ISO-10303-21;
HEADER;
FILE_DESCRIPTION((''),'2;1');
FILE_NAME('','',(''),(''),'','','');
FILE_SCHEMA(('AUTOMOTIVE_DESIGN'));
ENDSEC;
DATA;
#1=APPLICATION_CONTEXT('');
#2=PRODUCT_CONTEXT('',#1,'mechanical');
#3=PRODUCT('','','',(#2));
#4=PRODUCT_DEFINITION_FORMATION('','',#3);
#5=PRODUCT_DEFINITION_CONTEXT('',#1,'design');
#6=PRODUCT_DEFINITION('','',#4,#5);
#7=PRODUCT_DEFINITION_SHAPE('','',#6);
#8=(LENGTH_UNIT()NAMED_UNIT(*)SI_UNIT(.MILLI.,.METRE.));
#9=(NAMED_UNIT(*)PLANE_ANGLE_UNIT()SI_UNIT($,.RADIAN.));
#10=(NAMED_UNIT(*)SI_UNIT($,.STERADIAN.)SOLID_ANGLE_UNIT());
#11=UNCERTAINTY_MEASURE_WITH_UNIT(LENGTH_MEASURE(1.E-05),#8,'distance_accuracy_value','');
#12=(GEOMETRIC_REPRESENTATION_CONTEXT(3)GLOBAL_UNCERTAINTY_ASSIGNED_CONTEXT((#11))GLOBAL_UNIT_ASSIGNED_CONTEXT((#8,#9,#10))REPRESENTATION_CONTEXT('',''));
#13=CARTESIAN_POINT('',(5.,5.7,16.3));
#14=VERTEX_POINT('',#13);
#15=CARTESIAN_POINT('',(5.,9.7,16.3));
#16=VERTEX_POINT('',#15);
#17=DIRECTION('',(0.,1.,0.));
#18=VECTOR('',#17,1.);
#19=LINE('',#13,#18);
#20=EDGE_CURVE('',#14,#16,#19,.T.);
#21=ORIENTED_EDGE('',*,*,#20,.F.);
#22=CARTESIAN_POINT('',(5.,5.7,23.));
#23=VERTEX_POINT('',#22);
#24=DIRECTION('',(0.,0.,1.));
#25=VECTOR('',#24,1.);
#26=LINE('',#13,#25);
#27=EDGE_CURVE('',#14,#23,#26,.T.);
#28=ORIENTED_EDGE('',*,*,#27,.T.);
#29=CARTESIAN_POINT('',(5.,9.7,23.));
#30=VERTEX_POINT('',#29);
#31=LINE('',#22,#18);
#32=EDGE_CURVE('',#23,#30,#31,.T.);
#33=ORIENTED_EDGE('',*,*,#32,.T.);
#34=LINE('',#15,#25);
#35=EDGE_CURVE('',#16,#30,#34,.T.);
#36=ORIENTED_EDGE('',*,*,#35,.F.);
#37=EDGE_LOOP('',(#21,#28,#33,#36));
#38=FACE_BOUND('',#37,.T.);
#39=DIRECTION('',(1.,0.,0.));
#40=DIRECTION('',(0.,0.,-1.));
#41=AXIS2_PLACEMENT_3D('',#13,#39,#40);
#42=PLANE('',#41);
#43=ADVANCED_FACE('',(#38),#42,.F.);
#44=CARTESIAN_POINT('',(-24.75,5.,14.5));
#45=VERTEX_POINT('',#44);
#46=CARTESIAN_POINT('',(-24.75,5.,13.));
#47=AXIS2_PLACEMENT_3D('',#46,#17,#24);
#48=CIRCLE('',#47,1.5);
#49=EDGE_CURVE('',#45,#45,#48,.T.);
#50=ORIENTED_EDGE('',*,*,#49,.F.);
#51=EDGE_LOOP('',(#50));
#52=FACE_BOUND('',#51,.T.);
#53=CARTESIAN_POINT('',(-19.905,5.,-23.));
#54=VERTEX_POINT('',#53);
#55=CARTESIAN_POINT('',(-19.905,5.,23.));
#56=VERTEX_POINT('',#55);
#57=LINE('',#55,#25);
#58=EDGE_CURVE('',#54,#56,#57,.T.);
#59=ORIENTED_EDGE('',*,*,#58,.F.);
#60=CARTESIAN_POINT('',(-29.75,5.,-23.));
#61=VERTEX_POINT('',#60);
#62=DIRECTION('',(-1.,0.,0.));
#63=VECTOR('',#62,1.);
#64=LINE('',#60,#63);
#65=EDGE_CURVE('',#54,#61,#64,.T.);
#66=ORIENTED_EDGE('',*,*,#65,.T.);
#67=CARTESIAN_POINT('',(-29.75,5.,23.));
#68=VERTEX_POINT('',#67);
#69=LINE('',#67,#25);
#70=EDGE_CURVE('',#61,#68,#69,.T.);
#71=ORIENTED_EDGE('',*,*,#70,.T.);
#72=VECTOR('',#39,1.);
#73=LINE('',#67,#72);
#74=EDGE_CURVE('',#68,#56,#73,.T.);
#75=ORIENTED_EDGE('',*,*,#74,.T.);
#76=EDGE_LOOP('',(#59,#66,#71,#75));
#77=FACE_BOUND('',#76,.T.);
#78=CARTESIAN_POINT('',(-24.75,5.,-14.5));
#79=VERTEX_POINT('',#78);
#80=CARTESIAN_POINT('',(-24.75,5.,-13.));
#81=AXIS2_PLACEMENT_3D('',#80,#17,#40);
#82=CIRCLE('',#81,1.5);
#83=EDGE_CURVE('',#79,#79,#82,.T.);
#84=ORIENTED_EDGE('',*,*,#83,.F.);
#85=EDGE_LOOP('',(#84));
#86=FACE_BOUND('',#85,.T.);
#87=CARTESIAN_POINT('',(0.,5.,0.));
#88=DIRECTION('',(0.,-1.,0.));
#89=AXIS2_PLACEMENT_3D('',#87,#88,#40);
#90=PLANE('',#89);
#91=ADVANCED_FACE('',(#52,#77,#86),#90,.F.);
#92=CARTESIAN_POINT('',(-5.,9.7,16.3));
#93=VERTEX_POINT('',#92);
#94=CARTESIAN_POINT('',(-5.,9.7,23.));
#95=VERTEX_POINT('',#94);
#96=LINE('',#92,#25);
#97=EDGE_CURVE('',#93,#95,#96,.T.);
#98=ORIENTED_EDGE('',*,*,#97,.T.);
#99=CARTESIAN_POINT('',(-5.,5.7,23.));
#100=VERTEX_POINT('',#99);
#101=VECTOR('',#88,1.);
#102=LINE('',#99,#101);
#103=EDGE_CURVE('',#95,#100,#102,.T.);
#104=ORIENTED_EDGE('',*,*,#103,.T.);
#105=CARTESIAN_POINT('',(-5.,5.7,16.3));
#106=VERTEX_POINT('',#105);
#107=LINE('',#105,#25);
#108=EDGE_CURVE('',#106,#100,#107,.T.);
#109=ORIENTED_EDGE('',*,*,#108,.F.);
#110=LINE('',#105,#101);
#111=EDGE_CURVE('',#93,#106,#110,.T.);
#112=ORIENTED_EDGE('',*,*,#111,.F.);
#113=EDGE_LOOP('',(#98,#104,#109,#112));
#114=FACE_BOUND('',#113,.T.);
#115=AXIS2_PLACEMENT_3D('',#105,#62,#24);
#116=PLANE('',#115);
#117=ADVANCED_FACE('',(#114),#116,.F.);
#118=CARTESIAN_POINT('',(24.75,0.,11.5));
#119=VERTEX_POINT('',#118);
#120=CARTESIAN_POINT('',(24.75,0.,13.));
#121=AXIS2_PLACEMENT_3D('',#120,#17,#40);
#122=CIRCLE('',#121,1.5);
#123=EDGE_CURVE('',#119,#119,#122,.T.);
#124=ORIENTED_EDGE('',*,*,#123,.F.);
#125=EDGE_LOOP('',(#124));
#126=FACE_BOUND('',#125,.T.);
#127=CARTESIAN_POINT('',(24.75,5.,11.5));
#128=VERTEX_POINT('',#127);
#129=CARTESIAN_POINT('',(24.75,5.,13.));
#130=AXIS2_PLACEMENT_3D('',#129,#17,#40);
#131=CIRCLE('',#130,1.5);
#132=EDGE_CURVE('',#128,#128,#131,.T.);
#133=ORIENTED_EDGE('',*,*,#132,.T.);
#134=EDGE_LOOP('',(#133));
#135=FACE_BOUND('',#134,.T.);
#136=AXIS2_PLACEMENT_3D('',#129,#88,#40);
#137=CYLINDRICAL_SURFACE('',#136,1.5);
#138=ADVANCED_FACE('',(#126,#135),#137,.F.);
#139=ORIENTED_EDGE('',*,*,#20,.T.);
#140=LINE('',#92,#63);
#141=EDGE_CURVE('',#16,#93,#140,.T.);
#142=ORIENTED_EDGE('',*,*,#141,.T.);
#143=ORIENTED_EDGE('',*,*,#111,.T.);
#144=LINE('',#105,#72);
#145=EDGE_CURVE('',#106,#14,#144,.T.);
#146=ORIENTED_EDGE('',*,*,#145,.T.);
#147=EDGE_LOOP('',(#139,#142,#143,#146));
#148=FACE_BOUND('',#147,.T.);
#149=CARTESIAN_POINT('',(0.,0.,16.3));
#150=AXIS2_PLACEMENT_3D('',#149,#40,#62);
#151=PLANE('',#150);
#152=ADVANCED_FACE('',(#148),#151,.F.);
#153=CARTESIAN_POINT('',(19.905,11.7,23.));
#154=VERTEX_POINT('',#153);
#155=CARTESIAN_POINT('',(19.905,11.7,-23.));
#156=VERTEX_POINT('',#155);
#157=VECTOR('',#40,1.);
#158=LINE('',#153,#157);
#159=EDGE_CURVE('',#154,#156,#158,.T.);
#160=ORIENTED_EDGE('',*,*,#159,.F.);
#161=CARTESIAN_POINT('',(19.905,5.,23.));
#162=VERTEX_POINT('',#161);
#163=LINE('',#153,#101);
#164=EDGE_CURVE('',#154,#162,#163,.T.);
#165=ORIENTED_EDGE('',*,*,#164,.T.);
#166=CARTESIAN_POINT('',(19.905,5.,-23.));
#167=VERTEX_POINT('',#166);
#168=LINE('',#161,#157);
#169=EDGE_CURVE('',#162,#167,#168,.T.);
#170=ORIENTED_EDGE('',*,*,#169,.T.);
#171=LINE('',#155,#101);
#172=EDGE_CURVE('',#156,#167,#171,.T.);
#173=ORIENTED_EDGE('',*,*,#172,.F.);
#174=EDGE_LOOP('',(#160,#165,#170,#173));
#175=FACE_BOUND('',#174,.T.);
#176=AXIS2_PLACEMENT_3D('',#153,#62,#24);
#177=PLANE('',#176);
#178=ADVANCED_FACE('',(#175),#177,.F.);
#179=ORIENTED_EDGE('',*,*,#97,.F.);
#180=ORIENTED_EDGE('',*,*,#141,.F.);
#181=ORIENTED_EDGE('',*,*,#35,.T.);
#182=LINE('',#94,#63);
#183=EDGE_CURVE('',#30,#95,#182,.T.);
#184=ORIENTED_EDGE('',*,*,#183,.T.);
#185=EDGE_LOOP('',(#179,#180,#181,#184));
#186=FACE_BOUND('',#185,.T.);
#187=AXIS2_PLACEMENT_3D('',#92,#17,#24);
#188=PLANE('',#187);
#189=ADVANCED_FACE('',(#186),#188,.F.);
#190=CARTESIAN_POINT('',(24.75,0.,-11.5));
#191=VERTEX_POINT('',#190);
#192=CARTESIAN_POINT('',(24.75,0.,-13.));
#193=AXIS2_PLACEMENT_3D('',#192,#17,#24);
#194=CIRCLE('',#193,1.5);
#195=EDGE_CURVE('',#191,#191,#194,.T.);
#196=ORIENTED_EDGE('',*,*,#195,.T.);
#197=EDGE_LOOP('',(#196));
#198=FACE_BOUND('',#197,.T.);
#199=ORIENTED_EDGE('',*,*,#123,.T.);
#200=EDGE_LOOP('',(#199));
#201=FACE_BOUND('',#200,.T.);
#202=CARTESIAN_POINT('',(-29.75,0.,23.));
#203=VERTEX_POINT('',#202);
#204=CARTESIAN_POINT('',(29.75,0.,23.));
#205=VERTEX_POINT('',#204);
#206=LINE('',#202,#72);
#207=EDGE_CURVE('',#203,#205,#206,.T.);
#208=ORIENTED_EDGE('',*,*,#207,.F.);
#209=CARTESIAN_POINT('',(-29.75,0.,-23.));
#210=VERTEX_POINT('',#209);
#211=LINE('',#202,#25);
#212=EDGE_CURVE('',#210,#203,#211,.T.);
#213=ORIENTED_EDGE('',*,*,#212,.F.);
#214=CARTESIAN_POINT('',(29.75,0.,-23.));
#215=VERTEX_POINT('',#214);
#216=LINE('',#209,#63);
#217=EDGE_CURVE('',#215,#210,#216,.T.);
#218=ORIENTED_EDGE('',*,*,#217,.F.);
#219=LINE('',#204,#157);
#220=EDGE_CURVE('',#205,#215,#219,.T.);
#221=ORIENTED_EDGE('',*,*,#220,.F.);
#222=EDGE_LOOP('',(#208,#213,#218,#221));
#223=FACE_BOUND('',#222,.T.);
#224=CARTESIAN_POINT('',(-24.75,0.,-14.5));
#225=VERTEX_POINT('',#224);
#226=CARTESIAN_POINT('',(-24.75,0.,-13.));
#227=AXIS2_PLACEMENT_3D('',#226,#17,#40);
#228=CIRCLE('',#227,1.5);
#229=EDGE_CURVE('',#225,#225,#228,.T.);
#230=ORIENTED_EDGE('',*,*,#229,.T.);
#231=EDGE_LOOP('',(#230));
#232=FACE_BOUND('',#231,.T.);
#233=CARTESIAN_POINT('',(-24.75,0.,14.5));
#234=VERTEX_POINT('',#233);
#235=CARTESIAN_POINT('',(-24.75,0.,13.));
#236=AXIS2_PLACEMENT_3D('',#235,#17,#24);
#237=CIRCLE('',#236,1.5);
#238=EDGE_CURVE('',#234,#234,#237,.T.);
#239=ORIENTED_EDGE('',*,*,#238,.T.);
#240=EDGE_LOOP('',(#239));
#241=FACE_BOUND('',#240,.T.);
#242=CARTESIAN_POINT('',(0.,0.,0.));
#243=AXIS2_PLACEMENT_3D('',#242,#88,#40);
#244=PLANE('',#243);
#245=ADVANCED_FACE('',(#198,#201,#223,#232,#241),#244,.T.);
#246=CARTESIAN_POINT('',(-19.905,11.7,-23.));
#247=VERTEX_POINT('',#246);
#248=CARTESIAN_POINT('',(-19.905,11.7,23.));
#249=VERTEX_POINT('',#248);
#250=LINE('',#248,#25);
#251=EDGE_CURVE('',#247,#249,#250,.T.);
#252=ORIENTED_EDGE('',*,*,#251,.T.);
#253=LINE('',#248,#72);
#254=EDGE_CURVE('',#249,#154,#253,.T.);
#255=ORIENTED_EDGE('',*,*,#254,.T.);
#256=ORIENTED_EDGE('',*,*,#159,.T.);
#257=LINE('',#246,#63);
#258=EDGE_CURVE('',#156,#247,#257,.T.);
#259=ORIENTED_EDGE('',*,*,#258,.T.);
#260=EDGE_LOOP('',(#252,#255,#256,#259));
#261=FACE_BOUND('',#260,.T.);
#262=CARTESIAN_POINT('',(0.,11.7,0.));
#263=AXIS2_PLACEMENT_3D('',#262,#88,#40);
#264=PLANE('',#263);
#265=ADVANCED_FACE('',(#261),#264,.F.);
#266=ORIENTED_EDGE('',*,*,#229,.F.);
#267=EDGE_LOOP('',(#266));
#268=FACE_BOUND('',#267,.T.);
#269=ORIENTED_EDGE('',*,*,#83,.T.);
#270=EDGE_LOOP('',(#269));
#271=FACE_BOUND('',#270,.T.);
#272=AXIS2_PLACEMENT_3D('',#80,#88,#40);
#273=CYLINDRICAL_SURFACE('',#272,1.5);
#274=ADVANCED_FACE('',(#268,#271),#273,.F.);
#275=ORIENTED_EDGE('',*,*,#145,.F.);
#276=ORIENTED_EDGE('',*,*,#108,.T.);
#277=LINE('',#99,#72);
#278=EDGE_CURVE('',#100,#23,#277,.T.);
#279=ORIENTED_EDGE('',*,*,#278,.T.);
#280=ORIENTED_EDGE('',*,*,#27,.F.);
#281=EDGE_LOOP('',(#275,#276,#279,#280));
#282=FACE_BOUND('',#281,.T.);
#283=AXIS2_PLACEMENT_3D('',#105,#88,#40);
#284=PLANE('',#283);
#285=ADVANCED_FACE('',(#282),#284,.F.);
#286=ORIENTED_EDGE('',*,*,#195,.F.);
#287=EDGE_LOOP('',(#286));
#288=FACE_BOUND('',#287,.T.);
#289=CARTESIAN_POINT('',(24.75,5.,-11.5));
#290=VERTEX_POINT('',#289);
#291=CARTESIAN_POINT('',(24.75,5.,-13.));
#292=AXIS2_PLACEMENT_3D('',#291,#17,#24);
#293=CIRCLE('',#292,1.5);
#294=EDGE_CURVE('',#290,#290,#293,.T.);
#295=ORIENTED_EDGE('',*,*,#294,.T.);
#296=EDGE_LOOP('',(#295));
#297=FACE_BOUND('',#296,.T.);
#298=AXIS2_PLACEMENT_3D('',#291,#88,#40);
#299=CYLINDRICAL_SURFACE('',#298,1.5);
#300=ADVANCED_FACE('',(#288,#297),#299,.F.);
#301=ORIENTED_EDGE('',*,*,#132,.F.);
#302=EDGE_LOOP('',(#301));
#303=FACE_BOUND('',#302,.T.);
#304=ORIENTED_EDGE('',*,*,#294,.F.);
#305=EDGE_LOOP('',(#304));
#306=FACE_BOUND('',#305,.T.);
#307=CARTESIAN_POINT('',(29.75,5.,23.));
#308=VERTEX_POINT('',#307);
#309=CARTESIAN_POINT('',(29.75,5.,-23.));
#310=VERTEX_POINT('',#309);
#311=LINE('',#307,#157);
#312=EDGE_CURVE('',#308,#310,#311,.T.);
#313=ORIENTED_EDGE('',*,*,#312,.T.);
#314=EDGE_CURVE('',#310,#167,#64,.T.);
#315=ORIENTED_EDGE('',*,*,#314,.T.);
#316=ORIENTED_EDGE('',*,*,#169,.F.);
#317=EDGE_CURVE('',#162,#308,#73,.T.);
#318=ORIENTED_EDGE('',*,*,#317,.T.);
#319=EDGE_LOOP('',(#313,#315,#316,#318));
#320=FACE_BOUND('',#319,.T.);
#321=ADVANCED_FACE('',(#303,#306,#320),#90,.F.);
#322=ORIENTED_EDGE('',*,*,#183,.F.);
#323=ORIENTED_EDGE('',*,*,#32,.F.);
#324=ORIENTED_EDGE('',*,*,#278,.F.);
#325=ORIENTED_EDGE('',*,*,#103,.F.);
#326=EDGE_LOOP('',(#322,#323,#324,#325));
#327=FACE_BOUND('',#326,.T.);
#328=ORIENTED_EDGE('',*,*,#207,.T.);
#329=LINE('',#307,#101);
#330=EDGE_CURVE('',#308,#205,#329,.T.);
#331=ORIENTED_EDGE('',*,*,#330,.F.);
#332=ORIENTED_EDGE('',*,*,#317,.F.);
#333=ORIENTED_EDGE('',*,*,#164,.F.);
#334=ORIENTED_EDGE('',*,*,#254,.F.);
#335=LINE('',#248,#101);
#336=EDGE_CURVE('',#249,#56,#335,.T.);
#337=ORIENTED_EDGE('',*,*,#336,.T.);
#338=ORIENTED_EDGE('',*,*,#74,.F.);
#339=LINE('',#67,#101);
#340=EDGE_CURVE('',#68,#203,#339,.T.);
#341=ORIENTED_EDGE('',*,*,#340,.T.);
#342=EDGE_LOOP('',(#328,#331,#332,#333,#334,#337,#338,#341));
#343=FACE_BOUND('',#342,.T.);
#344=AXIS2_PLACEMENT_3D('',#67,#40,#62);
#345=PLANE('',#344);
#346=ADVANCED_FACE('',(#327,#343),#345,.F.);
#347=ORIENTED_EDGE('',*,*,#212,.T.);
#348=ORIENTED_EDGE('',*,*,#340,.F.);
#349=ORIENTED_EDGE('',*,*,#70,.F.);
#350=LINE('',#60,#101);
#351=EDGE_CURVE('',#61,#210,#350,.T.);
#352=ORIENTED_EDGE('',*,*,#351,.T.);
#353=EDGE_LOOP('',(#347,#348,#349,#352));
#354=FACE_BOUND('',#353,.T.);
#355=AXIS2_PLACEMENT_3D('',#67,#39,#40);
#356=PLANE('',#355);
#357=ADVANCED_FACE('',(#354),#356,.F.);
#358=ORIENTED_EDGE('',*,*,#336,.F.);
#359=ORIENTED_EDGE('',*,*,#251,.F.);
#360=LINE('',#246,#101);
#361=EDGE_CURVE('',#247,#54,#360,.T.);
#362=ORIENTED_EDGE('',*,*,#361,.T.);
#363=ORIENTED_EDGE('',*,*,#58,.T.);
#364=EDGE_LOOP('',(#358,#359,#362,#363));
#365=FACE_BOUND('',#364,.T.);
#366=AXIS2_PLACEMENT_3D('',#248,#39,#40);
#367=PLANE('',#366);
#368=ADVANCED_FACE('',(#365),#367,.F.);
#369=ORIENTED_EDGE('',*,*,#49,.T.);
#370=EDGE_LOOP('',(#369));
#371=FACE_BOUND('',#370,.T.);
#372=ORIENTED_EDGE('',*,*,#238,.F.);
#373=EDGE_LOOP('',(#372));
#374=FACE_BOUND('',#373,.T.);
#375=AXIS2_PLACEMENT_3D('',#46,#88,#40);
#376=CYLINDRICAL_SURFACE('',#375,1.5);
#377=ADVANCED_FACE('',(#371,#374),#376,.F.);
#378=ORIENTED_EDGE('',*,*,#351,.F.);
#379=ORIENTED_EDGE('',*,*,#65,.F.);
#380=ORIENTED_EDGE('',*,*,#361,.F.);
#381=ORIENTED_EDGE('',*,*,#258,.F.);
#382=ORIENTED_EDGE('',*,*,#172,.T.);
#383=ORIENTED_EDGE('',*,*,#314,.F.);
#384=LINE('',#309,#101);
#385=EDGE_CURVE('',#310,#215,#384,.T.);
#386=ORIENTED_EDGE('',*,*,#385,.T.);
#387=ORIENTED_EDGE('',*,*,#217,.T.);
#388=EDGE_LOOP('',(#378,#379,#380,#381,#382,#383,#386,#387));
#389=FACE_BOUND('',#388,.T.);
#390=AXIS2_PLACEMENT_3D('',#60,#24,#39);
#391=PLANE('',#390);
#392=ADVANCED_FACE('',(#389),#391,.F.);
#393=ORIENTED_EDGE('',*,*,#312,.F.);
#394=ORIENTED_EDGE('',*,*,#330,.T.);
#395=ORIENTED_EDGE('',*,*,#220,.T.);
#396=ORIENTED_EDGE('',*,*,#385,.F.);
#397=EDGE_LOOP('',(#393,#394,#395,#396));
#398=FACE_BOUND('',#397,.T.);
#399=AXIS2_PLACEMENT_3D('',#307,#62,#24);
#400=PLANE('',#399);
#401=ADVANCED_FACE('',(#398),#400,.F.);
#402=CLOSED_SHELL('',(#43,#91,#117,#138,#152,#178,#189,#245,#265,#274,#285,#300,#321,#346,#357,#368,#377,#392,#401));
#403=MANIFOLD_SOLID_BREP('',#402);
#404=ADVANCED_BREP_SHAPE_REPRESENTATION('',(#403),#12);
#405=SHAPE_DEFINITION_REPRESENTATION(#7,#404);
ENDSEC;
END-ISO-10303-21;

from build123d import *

# Parameters (mm, degrees)
SKETCH_1_W          = 59.5
SKETCH_1_H          = 46
SKETCH_1_R          = 1.5
EXTRUDE_1_DEPTH     = 5
SKETCH_2_W          = 39.81
SKETCH_2_H          = 46
EXTRUDE_2_DEPTH     = 6.7
SKETCH_3_W          = 10
SKETCH_3_H          = 4
CUT_EXTRUDE_1_DEPTH = 6.7


with BuildPart() as part:
    # 草图1 → 凸台-拉伸1 (new body)
    with BuildSketch(Plane(origin=(0, 0, 0), x_dir=(1, 0, 0), z_dir=(0, 1, 0))):
        Rectangle(SKETCH_1_W, SKETCH_1_H)
        with Locations(Location((24.75, 13, 0), (0, 0, 270))):
            Circle(SKETCH_1_R, mode=Mode.SUBTRACT)
        with Locations(Location((24.75, -13, 0), (0, 0, 90))):
            Circle(SKETCH_1_R, mode=Mode.SUBTRACT)
        with Locations(Location((-24.75, -13, 0), (0, 0, 270))):
            Circle(SKETCH_1_R, mode=Mode.SUBTRACT)
        with Locations(Location((-24.75, 13, 0), (0, 0, 90))):
            Circle(SKETCH_1_R, mode=Mode.SUBTRACT)
    extrude(amount=EXTRUDE_1_DEPTH)

    # 草图2 → 凸台-拉伸2 (add)
    with BuildSketch(Plane(origin=(0, 5, 0), x_dir=(1, 0, 0), z_dir=(0, 1, 0))):
        Rectangle(SKETCH_2_W, SKETCH_2_H)
    extrude(amount=EXTRUDE_2_DEPTH)

    # 草图3 → 切除-拉伸1 (cut)
    with BuildSketch(Plane.XY.offset(23)):
        with Locations((0, 7.7)):
            Rectangle(SKETCH_3_W, SKETCH_3_H)
    extrude(amount=-CUT_EXTRUDE_1_DEPTH, mode=Mode.SUBTRACT)


solid = part.part
